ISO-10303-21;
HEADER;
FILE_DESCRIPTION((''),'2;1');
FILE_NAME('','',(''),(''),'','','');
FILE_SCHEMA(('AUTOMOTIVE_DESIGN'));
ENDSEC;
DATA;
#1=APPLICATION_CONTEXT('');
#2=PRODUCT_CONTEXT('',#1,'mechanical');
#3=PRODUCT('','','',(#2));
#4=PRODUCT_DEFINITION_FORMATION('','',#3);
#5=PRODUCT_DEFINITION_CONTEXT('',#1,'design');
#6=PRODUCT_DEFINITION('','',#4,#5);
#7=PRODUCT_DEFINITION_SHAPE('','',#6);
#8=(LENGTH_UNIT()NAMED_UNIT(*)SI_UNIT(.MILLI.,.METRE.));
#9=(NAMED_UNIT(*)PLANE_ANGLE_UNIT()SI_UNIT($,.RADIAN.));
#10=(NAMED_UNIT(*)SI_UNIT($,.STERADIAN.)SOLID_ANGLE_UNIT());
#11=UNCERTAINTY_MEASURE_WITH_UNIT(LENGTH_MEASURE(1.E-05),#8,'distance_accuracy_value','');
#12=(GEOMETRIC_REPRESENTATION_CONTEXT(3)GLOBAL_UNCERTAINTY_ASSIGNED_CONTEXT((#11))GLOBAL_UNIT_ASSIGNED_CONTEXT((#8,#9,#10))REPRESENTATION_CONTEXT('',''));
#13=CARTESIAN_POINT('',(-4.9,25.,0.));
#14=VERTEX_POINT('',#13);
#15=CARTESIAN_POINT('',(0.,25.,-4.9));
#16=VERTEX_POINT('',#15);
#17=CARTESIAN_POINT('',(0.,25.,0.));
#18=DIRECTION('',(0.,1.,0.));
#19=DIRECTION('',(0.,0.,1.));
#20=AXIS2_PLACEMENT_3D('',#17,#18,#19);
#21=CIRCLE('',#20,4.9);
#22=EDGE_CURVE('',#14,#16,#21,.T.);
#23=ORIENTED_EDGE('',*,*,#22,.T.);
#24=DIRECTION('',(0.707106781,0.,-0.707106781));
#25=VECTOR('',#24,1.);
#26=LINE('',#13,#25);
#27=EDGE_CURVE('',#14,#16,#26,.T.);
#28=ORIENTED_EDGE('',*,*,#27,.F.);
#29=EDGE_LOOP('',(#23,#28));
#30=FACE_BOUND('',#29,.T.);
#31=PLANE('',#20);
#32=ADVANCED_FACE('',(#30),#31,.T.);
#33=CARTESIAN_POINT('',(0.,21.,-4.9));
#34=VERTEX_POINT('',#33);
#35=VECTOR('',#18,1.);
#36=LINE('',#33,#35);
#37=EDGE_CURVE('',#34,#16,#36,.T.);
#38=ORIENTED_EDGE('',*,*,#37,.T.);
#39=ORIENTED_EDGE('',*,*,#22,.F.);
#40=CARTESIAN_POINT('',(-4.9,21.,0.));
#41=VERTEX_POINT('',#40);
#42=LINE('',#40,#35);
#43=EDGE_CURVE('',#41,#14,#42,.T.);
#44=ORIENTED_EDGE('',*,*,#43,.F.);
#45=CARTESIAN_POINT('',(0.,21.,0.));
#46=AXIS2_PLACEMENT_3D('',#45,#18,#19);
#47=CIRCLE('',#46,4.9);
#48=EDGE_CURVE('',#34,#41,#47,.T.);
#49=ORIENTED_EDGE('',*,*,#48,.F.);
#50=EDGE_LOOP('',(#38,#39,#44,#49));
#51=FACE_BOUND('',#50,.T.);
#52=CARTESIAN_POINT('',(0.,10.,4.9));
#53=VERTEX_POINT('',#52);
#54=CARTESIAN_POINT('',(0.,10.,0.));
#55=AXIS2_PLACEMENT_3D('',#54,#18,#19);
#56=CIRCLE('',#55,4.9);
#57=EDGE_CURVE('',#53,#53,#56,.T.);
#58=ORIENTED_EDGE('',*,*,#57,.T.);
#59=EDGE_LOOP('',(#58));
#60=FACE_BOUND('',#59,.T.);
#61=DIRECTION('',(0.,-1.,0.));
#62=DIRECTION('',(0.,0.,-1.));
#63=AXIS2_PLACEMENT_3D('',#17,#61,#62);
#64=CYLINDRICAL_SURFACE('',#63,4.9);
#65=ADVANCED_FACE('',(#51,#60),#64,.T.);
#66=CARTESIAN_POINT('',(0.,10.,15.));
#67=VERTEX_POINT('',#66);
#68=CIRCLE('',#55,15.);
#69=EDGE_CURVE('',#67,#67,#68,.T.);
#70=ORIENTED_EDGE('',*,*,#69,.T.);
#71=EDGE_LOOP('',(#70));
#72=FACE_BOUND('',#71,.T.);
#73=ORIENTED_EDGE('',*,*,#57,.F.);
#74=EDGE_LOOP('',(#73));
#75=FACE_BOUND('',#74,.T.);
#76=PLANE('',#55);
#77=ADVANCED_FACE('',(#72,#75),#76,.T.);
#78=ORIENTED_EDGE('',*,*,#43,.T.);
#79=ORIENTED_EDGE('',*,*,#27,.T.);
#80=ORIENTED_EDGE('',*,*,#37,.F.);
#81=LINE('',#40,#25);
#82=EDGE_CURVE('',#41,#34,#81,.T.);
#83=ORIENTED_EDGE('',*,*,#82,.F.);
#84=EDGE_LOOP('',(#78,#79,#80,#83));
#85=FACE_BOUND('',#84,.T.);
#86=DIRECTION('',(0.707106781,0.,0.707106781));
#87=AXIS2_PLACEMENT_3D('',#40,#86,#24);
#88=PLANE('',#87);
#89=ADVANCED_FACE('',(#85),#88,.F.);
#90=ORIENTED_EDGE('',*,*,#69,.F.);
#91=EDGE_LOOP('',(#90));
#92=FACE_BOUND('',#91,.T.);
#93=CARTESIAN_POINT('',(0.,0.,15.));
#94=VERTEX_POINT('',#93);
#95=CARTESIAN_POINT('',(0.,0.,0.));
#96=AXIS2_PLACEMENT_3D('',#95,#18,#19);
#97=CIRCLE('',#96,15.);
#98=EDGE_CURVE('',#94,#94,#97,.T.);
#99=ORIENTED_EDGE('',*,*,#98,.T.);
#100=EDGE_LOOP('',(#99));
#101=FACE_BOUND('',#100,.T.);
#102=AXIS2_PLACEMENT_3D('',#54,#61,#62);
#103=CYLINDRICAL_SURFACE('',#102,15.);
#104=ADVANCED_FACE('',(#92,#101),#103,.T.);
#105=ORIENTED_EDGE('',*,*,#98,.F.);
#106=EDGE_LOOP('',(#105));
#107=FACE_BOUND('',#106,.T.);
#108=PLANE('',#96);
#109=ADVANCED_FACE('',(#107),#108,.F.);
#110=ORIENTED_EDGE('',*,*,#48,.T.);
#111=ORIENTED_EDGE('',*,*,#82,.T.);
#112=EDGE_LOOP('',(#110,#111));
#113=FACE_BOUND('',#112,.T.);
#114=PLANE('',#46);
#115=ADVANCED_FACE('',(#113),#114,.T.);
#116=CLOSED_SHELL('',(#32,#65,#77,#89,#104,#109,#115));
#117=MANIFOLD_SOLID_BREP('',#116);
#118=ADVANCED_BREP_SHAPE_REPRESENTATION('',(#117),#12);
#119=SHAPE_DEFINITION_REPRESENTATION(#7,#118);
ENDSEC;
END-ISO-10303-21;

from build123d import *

# Parameters (mm, degrees)
SKETCH1_R           = 15
BOSS_EXTRUDE1_DEPTH = 10
SKETCH2_R           = 4.9
BOSS_EXTRUDE2_DEPTH = 15
CUT_EXTRUDE1_DEPTH  = 4


with BuildPart() as part:
    # Sketch1 → Boss-Extrude1 (new body)
    with BuildSketch(Plane(origin=(0, 0, 0), x_dir=(1, 0, 0), z_dir=(0, 1, 0))):
        Circle(SKETCH1_R)
    extrude(amount=BOSS_EXTRUDE1_DEPTH)

    # Sketch2 → Boss-Extrude2 (add)
    with BuildSketch(Plane(origin=(0, 10, 0), x_dir=(1, 0, 0), z_dir=(0, 1, 0))):
        Circle(SKETCH2_R)
    extrude(amount=BOSS_EXTRUDE2_DEPTH)

    # Sketch3 → Cut-Extrude1 (cut)
    with BuildSketch(Plane(origin=(0, 25, 0), x_dir=(1, 0, 0), z_dir=(0, 1, 0))):
        with BuildLine():
            Line((-4.9, 0), (0, 4.9))
            ThreePointArc((0, 4.9), (-3.464823228, 3.464823228), (-4.9, 0))
        make_face()
    extrude(amount=-CUT_EXTRUDE1_DEPTH, mode=Mode.SUBTRACT)


solid = part.part
